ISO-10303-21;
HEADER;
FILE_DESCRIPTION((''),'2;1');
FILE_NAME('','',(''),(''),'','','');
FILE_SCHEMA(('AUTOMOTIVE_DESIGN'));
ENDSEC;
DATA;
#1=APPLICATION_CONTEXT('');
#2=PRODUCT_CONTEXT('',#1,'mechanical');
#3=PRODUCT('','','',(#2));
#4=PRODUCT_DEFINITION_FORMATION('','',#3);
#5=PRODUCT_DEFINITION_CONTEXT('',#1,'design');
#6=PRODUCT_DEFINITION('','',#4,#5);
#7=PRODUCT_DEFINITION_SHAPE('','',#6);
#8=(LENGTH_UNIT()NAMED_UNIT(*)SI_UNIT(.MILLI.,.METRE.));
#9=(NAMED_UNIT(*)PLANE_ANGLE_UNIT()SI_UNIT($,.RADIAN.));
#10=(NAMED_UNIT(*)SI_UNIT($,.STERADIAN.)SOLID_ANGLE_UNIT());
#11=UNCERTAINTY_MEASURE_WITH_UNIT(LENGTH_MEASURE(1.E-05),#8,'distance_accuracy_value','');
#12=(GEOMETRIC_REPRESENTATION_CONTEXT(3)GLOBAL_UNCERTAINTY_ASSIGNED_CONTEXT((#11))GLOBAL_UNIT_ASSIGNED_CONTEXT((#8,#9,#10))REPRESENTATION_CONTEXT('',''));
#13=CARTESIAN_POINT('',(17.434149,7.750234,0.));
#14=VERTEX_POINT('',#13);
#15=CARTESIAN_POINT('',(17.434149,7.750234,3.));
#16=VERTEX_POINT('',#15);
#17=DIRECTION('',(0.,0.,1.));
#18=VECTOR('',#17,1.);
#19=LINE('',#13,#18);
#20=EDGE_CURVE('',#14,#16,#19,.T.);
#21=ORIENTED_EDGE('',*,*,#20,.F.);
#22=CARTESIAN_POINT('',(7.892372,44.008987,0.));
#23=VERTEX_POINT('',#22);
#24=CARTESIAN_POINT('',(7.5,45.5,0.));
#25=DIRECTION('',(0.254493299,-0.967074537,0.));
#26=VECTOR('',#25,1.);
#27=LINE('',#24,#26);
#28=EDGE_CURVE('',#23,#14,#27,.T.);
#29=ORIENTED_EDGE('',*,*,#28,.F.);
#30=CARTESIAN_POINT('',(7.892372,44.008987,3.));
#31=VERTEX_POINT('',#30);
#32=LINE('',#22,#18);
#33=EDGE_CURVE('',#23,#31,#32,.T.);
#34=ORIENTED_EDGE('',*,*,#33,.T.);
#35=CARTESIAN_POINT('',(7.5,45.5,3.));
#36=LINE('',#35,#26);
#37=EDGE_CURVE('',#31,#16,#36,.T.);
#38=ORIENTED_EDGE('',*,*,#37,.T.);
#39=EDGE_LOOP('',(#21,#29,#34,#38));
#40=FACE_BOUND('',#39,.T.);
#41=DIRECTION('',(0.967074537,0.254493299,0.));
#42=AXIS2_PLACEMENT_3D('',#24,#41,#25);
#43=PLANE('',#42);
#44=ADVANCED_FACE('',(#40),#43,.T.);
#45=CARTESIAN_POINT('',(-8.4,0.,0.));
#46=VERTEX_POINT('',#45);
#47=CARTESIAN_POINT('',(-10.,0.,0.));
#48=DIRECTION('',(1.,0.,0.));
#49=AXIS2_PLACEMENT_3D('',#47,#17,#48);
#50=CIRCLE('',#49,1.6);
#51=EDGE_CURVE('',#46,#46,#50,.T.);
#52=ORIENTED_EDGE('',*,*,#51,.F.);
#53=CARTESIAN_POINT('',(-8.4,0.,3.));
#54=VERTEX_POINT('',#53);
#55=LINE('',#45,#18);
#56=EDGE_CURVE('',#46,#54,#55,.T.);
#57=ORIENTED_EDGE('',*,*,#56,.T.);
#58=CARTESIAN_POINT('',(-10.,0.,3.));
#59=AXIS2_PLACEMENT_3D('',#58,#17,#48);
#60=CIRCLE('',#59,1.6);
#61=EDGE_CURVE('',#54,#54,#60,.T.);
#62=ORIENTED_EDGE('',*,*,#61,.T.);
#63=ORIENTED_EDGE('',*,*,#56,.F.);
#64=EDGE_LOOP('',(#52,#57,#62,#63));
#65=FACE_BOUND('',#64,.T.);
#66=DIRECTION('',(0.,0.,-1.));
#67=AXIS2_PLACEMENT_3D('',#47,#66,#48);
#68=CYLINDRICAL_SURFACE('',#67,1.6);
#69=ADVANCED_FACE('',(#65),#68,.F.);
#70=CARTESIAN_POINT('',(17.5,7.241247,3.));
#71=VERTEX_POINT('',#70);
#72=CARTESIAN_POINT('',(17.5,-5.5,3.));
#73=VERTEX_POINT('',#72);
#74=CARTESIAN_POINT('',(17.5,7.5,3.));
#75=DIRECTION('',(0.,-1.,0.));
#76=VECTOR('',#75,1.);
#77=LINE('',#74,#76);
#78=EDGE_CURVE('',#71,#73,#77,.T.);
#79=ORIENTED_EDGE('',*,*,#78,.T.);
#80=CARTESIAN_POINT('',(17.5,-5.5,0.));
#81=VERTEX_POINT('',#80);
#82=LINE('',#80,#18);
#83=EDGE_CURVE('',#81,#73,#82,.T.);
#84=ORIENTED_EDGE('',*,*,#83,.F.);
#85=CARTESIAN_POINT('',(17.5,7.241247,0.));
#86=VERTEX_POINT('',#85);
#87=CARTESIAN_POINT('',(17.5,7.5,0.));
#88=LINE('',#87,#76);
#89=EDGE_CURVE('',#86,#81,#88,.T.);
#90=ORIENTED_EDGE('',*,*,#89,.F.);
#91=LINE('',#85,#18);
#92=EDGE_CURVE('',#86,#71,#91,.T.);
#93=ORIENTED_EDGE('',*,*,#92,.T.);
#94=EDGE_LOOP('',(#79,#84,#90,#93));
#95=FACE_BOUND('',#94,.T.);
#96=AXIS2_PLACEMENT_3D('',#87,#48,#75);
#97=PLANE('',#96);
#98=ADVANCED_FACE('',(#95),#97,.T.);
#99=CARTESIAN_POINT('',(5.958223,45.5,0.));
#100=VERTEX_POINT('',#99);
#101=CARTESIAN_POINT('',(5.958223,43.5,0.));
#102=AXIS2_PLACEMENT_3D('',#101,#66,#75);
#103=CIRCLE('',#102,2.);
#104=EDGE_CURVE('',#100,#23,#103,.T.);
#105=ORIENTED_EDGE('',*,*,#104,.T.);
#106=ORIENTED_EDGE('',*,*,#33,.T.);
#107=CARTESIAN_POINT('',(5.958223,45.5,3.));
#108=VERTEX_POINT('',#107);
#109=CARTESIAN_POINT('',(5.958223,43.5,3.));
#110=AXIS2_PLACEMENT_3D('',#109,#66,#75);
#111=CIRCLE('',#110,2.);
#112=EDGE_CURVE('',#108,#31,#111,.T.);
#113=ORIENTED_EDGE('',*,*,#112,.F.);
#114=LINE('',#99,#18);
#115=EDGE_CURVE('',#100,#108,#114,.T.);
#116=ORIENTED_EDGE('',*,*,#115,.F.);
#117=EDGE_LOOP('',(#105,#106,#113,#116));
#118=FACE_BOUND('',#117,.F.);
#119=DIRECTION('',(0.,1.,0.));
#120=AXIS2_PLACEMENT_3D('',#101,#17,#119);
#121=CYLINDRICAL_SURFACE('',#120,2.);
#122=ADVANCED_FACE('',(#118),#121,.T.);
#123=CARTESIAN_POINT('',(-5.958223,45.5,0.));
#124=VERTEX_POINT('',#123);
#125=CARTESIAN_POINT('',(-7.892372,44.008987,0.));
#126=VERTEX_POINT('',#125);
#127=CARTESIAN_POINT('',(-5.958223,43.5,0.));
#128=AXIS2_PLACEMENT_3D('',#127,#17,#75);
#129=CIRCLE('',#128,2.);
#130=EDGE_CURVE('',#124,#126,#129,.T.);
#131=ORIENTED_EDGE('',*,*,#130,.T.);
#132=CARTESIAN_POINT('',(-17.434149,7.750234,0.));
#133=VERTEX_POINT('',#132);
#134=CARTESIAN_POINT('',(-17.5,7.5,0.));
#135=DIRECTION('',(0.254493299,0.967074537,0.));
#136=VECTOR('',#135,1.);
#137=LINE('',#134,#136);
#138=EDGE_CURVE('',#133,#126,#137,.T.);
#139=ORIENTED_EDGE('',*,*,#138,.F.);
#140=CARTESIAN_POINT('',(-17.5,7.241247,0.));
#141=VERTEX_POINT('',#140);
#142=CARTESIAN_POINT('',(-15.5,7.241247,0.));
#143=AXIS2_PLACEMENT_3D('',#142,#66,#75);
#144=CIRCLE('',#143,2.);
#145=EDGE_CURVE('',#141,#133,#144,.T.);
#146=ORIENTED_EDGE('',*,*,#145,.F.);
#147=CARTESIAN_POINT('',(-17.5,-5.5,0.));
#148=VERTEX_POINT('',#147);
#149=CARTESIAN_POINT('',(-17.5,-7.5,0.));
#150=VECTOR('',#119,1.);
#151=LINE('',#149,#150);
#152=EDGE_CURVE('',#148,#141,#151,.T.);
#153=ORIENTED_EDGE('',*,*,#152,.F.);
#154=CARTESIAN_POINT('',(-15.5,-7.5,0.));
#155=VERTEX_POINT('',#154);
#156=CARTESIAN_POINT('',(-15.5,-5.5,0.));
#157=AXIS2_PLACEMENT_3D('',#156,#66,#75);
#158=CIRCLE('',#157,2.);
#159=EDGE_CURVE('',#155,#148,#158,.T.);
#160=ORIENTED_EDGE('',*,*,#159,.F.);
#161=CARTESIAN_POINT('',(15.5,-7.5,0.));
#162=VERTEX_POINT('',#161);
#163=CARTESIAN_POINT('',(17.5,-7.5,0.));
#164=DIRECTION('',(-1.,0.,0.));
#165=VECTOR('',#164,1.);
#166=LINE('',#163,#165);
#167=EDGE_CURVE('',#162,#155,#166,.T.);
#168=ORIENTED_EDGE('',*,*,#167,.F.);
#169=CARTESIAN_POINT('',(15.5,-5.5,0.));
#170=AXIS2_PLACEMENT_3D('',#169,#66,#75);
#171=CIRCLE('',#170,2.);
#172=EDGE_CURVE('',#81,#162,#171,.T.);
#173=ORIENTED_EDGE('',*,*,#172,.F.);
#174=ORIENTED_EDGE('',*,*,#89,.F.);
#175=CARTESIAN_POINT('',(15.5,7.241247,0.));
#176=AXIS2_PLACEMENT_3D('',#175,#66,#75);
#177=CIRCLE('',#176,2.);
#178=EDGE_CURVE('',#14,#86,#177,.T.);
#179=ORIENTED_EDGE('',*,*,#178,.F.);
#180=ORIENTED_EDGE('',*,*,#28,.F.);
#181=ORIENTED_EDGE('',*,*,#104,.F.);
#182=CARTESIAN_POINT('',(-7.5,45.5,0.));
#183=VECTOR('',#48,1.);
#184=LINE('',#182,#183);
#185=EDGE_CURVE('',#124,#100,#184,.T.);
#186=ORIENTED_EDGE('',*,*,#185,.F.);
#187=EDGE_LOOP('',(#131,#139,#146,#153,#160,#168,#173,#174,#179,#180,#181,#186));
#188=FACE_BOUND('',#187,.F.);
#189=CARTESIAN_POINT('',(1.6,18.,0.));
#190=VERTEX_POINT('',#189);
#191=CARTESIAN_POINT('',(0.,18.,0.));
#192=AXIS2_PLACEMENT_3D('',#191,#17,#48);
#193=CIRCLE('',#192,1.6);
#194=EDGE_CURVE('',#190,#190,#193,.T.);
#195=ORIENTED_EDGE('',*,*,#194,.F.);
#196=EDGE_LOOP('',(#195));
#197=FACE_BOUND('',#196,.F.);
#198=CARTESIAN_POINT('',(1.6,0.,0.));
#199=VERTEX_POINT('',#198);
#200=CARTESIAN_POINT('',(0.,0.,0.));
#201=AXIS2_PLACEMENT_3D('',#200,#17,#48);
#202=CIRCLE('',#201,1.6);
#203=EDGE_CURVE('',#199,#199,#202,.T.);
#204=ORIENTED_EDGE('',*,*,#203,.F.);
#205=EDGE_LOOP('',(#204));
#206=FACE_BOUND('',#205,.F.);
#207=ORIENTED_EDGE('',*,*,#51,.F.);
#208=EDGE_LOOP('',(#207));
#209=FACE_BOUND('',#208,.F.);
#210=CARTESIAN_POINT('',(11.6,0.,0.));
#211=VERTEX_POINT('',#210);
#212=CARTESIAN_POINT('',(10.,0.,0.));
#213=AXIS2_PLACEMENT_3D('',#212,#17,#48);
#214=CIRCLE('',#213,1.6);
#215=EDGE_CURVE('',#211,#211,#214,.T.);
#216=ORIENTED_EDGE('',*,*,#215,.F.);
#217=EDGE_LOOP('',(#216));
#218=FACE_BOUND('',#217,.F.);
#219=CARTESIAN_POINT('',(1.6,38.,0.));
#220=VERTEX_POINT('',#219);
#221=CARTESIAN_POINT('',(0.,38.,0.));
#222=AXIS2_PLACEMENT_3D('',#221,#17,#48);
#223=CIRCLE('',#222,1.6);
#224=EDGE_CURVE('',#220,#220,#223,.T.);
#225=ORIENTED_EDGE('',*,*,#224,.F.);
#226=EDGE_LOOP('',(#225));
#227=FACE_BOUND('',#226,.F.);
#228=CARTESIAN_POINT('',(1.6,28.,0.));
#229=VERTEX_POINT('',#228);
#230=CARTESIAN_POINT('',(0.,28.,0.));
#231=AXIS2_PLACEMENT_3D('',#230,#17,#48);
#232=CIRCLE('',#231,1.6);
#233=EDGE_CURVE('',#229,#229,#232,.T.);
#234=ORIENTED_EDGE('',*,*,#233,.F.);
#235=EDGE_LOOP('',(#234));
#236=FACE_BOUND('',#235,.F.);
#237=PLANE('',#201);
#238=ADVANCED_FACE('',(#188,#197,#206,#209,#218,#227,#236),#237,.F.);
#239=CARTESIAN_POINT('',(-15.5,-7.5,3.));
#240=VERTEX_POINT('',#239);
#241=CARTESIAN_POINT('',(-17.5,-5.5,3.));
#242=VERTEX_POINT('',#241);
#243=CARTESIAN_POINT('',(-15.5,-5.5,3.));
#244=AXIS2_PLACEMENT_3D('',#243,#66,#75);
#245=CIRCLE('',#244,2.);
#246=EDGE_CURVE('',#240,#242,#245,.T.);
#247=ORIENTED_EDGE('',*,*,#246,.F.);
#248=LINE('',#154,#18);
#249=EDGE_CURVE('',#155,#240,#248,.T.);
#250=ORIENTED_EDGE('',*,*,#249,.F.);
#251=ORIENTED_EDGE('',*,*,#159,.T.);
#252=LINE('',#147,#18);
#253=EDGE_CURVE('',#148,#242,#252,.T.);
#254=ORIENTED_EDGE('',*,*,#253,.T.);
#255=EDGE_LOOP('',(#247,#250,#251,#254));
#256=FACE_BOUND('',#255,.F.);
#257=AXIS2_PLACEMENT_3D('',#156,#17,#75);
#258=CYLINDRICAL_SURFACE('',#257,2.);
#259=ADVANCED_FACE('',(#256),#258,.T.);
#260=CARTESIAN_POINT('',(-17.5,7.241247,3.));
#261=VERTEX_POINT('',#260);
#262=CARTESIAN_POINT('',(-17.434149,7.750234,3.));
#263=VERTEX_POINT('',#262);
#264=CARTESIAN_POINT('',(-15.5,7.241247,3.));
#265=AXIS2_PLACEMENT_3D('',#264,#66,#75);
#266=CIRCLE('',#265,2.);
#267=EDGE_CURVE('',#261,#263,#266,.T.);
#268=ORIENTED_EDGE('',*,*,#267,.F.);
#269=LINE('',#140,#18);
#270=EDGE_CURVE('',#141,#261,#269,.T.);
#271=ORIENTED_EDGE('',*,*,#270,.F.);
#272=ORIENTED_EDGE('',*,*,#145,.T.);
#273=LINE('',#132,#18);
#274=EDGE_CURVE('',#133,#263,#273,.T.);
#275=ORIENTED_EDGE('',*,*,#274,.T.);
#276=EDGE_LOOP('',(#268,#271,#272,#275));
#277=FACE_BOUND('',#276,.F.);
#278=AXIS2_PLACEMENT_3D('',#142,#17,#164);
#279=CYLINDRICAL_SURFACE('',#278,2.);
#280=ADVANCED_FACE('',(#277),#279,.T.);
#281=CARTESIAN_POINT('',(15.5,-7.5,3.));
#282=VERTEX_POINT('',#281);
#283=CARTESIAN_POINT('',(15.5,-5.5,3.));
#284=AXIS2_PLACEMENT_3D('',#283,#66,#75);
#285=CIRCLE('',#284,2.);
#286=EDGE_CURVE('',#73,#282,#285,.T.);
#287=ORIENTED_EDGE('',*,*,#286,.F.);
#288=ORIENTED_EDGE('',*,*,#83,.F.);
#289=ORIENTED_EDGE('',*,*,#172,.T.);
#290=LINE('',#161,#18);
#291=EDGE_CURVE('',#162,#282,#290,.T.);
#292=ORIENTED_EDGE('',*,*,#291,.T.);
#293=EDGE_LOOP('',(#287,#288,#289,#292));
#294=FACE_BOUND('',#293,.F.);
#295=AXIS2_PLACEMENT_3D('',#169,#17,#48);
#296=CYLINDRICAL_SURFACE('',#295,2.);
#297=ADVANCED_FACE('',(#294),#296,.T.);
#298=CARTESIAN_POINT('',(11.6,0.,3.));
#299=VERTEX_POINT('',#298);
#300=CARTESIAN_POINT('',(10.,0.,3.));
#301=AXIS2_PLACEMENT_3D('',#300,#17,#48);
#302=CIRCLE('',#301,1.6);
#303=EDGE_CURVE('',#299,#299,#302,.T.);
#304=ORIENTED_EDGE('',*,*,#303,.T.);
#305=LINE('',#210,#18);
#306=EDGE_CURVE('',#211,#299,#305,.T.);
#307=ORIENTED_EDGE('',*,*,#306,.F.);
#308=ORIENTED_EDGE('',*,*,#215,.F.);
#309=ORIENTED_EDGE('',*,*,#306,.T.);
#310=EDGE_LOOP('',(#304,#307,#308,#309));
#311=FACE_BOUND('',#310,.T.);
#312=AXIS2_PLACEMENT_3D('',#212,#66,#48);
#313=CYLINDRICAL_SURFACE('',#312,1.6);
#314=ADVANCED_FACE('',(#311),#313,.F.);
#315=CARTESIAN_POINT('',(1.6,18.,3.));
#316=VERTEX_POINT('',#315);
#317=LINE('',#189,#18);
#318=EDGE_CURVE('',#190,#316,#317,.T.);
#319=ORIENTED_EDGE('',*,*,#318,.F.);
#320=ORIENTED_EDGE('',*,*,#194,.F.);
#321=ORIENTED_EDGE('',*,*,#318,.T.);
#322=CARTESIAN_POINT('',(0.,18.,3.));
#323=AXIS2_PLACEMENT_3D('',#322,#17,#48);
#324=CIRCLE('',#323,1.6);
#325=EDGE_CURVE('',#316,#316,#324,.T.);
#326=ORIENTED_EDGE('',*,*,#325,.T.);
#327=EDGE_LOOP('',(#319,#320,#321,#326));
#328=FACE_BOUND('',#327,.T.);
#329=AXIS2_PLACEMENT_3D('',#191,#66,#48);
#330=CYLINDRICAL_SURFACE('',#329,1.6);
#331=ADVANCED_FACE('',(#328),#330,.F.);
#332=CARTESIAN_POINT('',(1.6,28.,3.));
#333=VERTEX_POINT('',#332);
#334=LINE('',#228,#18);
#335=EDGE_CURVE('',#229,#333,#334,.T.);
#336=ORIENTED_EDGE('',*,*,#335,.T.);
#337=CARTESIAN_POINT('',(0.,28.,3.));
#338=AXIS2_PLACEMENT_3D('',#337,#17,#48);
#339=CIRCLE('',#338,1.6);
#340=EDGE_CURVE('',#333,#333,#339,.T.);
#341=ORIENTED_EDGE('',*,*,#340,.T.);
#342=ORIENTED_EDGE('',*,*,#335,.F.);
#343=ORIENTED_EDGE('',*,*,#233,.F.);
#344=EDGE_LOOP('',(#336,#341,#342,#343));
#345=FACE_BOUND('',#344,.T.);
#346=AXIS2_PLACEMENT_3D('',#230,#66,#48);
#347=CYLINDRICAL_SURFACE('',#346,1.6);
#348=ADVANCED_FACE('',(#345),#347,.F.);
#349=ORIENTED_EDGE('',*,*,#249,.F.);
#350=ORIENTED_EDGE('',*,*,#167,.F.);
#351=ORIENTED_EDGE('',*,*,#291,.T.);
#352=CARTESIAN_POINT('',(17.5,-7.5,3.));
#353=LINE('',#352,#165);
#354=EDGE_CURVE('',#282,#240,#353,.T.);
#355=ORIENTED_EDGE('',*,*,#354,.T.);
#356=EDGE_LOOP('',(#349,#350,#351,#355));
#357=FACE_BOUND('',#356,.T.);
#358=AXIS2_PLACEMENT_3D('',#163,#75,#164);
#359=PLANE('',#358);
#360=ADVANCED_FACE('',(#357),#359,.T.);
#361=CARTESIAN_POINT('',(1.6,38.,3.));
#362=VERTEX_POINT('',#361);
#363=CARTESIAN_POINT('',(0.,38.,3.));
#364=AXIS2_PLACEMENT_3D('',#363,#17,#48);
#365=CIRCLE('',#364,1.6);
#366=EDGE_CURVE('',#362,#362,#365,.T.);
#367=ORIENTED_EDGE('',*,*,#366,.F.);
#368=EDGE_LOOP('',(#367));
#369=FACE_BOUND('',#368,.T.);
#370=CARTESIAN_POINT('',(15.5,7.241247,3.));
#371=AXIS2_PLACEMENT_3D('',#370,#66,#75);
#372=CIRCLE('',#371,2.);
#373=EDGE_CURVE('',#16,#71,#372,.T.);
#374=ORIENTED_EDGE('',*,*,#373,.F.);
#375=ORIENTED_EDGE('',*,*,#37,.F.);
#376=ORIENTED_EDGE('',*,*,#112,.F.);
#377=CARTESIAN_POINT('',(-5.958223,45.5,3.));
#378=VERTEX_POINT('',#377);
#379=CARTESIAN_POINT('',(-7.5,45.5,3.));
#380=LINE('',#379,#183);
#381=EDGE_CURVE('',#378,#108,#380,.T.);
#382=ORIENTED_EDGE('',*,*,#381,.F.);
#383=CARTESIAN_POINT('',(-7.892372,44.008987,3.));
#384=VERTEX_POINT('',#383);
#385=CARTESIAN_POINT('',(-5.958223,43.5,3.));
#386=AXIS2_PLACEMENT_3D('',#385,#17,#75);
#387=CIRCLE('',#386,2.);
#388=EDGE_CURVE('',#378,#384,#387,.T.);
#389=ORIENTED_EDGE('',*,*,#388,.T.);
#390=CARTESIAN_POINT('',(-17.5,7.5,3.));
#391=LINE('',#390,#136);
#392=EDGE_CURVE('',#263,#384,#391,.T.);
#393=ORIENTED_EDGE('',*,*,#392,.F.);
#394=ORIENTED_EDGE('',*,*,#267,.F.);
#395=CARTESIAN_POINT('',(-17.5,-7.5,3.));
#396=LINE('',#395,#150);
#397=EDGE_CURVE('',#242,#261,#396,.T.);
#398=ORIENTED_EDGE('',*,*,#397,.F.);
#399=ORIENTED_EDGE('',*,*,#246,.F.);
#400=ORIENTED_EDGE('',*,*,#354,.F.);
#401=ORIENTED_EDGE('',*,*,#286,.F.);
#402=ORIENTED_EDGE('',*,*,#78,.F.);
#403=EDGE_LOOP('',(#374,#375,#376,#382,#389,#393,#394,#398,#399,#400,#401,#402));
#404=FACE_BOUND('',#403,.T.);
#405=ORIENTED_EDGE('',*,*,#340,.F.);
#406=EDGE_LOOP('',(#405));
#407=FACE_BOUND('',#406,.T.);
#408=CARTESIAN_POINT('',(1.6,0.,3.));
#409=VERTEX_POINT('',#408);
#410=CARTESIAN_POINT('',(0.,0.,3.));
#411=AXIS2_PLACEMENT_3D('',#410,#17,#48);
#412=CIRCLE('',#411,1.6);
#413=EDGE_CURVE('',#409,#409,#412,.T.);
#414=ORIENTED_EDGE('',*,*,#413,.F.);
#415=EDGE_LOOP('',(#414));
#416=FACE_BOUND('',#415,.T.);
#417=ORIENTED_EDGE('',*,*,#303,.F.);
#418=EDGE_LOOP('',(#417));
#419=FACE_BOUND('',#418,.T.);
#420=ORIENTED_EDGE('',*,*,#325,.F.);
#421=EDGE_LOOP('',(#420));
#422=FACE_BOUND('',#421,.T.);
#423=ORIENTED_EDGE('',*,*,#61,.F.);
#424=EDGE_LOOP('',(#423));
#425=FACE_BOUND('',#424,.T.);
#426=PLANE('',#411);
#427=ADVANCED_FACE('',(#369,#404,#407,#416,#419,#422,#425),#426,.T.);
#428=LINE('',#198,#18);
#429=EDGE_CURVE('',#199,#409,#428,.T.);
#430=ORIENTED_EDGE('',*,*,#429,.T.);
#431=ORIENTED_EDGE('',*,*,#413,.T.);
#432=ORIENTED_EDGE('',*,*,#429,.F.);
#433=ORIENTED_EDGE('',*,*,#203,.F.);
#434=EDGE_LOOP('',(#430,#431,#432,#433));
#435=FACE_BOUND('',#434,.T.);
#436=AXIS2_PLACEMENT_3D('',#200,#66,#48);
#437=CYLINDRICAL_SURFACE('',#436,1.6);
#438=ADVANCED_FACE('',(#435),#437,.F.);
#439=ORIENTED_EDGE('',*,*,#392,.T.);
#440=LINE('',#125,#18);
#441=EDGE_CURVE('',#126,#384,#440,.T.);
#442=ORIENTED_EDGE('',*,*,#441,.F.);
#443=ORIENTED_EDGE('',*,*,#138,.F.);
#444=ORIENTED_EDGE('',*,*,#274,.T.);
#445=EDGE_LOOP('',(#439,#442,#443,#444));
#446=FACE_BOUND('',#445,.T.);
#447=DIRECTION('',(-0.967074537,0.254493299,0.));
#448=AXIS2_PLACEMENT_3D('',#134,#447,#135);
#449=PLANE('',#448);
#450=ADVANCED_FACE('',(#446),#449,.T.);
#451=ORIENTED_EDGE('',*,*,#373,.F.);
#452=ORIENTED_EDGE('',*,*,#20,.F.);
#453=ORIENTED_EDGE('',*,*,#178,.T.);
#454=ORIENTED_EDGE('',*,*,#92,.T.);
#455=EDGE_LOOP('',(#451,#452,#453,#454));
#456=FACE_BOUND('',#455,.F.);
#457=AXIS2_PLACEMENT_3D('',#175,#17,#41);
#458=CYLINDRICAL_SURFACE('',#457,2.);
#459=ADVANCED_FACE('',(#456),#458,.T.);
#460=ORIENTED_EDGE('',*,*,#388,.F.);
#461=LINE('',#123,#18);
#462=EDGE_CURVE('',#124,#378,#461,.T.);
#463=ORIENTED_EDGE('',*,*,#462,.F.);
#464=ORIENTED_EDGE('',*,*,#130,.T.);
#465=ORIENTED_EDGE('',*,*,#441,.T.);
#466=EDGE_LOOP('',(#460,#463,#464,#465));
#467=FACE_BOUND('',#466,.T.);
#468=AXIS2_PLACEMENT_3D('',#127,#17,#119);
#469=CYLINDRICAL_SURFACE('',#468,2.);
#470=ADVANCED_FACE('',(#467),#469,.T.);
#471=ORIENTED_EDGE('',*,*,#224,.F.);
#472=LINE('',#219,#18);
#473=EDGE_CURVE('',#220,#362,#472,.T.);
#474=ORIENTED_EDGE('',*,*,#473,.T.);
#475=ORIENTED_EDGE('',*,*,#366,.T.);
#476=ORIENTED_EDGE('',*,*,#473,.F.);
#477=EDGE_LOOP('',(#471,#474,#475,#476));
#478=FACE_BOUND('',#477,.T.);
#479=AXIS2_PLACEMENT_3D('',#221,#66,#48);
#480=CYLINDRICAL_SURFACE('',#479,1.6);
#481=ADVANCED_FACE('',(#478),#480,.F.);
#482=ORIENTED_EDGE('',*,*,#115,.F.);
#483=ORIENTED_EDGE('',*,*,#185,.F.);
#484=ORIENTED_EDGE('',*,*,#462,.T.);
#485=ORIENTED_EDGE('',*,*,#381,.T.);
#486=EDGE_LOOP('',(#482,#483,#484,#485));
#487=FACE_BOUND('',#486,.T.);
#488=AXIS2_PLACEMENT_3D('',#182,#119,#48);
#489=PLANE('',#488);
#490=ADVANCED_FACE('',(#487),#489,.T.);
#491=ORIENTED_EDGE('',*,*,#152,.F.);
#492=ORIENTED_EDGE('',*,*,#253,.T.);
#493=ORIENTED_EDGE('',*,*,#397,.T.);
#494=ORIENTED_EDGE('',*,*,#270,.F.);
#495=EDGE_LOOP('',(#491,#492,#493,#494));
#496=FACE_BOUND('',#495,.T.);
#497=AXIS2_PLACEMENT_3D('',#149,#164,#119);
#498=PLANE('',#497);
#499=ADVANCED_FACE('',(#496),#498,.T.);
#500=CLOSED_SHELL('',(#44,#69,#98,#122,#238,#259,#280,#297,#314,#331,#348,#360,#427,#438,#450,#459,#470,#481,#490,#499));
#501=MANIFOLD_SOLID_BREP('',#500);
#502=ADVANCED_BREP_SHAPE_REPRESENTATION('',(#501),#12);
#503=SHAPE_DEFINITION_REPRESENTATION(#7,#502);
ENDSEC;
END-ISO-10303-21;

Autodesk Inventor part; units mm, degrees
ref_plane "YZ Plane" through (0, 0, 0) normal (1, 0, 0) x (0, 1, 0)
ref_plane "XZ Plane" through (0, 0, 0) normal (0, 1, 0) x (-1, 0, 0)
ref_plane "XY Plane" through (0, 0, 0) normal (0, 0, 1) x (1, 0, 0)
sketch "スケッチ1" plane through (0, 0, 0) normal (0, 0, 1) x (1, 0, 0)
  circle A0 centre (0, 0) radius 1.6
  circle A1 centre (10, 0) radius 1.6
  circle A2 centre (-10, 0) radius 1.6
  circle A3 centre (0, 18) radius 1.6
  circle A4 centre (0, 28) radius 1.6
  circle A5 centre (0, 38) radius 1.6
  line L0 (-7.5, 45.5) -> (7.5, 45.5)
  line L1 (7.5, 45.5) -> (17.5, 7.5)
  line L2 (17.5, 7.5) -> (17.5, -7.5)
  line L3 (17.5, -7.5) -> (-17.5, -7.5)
  line L4 (-17.5, -7.5) -> (-17.5, 7.5)
  line L5 (-17.5, 7.5) -> (-7.5, 45.5)
  dimension "d0" = 3.2
  dimension "d1" = 3.2
  dimension "d2" = 3.2
  dimension "d3" = 10
  dimension "d4" = 10
  dimension "d5" = 3.2
  dimension "d6" = 3.2
  dimension "d7" = 3.2
  dimension "d8" = 10
  dimension "d9" = 10
  dimension "d10" = 18
  dimension "d11" = 7.5
  dimension "d13" = 7.5
  dimension "d14" = 7.5
  dimension "d15" = 7.5
  dimension "d16" = 7.5
  dimension "d17" = 7.5
  dimension "d18" = 7.5
  dimension "d19" = 7.5
extrude "押し出し1" add sketch "スケッチ1" along normal blind 3
fillet "フィレット1" radius 2 6 edges at (-7.5, 45.5, 1.5) (7.5, 45.5, 1.5) (17.5, 7.5, 1.5) (17.5, -7.5, 1.5) (-17.5, -7.5, 1.5) (-17.5, 7.5, 1.5)
properties part number "プレート保持_固定具1" material "アルミニウム 6061"
